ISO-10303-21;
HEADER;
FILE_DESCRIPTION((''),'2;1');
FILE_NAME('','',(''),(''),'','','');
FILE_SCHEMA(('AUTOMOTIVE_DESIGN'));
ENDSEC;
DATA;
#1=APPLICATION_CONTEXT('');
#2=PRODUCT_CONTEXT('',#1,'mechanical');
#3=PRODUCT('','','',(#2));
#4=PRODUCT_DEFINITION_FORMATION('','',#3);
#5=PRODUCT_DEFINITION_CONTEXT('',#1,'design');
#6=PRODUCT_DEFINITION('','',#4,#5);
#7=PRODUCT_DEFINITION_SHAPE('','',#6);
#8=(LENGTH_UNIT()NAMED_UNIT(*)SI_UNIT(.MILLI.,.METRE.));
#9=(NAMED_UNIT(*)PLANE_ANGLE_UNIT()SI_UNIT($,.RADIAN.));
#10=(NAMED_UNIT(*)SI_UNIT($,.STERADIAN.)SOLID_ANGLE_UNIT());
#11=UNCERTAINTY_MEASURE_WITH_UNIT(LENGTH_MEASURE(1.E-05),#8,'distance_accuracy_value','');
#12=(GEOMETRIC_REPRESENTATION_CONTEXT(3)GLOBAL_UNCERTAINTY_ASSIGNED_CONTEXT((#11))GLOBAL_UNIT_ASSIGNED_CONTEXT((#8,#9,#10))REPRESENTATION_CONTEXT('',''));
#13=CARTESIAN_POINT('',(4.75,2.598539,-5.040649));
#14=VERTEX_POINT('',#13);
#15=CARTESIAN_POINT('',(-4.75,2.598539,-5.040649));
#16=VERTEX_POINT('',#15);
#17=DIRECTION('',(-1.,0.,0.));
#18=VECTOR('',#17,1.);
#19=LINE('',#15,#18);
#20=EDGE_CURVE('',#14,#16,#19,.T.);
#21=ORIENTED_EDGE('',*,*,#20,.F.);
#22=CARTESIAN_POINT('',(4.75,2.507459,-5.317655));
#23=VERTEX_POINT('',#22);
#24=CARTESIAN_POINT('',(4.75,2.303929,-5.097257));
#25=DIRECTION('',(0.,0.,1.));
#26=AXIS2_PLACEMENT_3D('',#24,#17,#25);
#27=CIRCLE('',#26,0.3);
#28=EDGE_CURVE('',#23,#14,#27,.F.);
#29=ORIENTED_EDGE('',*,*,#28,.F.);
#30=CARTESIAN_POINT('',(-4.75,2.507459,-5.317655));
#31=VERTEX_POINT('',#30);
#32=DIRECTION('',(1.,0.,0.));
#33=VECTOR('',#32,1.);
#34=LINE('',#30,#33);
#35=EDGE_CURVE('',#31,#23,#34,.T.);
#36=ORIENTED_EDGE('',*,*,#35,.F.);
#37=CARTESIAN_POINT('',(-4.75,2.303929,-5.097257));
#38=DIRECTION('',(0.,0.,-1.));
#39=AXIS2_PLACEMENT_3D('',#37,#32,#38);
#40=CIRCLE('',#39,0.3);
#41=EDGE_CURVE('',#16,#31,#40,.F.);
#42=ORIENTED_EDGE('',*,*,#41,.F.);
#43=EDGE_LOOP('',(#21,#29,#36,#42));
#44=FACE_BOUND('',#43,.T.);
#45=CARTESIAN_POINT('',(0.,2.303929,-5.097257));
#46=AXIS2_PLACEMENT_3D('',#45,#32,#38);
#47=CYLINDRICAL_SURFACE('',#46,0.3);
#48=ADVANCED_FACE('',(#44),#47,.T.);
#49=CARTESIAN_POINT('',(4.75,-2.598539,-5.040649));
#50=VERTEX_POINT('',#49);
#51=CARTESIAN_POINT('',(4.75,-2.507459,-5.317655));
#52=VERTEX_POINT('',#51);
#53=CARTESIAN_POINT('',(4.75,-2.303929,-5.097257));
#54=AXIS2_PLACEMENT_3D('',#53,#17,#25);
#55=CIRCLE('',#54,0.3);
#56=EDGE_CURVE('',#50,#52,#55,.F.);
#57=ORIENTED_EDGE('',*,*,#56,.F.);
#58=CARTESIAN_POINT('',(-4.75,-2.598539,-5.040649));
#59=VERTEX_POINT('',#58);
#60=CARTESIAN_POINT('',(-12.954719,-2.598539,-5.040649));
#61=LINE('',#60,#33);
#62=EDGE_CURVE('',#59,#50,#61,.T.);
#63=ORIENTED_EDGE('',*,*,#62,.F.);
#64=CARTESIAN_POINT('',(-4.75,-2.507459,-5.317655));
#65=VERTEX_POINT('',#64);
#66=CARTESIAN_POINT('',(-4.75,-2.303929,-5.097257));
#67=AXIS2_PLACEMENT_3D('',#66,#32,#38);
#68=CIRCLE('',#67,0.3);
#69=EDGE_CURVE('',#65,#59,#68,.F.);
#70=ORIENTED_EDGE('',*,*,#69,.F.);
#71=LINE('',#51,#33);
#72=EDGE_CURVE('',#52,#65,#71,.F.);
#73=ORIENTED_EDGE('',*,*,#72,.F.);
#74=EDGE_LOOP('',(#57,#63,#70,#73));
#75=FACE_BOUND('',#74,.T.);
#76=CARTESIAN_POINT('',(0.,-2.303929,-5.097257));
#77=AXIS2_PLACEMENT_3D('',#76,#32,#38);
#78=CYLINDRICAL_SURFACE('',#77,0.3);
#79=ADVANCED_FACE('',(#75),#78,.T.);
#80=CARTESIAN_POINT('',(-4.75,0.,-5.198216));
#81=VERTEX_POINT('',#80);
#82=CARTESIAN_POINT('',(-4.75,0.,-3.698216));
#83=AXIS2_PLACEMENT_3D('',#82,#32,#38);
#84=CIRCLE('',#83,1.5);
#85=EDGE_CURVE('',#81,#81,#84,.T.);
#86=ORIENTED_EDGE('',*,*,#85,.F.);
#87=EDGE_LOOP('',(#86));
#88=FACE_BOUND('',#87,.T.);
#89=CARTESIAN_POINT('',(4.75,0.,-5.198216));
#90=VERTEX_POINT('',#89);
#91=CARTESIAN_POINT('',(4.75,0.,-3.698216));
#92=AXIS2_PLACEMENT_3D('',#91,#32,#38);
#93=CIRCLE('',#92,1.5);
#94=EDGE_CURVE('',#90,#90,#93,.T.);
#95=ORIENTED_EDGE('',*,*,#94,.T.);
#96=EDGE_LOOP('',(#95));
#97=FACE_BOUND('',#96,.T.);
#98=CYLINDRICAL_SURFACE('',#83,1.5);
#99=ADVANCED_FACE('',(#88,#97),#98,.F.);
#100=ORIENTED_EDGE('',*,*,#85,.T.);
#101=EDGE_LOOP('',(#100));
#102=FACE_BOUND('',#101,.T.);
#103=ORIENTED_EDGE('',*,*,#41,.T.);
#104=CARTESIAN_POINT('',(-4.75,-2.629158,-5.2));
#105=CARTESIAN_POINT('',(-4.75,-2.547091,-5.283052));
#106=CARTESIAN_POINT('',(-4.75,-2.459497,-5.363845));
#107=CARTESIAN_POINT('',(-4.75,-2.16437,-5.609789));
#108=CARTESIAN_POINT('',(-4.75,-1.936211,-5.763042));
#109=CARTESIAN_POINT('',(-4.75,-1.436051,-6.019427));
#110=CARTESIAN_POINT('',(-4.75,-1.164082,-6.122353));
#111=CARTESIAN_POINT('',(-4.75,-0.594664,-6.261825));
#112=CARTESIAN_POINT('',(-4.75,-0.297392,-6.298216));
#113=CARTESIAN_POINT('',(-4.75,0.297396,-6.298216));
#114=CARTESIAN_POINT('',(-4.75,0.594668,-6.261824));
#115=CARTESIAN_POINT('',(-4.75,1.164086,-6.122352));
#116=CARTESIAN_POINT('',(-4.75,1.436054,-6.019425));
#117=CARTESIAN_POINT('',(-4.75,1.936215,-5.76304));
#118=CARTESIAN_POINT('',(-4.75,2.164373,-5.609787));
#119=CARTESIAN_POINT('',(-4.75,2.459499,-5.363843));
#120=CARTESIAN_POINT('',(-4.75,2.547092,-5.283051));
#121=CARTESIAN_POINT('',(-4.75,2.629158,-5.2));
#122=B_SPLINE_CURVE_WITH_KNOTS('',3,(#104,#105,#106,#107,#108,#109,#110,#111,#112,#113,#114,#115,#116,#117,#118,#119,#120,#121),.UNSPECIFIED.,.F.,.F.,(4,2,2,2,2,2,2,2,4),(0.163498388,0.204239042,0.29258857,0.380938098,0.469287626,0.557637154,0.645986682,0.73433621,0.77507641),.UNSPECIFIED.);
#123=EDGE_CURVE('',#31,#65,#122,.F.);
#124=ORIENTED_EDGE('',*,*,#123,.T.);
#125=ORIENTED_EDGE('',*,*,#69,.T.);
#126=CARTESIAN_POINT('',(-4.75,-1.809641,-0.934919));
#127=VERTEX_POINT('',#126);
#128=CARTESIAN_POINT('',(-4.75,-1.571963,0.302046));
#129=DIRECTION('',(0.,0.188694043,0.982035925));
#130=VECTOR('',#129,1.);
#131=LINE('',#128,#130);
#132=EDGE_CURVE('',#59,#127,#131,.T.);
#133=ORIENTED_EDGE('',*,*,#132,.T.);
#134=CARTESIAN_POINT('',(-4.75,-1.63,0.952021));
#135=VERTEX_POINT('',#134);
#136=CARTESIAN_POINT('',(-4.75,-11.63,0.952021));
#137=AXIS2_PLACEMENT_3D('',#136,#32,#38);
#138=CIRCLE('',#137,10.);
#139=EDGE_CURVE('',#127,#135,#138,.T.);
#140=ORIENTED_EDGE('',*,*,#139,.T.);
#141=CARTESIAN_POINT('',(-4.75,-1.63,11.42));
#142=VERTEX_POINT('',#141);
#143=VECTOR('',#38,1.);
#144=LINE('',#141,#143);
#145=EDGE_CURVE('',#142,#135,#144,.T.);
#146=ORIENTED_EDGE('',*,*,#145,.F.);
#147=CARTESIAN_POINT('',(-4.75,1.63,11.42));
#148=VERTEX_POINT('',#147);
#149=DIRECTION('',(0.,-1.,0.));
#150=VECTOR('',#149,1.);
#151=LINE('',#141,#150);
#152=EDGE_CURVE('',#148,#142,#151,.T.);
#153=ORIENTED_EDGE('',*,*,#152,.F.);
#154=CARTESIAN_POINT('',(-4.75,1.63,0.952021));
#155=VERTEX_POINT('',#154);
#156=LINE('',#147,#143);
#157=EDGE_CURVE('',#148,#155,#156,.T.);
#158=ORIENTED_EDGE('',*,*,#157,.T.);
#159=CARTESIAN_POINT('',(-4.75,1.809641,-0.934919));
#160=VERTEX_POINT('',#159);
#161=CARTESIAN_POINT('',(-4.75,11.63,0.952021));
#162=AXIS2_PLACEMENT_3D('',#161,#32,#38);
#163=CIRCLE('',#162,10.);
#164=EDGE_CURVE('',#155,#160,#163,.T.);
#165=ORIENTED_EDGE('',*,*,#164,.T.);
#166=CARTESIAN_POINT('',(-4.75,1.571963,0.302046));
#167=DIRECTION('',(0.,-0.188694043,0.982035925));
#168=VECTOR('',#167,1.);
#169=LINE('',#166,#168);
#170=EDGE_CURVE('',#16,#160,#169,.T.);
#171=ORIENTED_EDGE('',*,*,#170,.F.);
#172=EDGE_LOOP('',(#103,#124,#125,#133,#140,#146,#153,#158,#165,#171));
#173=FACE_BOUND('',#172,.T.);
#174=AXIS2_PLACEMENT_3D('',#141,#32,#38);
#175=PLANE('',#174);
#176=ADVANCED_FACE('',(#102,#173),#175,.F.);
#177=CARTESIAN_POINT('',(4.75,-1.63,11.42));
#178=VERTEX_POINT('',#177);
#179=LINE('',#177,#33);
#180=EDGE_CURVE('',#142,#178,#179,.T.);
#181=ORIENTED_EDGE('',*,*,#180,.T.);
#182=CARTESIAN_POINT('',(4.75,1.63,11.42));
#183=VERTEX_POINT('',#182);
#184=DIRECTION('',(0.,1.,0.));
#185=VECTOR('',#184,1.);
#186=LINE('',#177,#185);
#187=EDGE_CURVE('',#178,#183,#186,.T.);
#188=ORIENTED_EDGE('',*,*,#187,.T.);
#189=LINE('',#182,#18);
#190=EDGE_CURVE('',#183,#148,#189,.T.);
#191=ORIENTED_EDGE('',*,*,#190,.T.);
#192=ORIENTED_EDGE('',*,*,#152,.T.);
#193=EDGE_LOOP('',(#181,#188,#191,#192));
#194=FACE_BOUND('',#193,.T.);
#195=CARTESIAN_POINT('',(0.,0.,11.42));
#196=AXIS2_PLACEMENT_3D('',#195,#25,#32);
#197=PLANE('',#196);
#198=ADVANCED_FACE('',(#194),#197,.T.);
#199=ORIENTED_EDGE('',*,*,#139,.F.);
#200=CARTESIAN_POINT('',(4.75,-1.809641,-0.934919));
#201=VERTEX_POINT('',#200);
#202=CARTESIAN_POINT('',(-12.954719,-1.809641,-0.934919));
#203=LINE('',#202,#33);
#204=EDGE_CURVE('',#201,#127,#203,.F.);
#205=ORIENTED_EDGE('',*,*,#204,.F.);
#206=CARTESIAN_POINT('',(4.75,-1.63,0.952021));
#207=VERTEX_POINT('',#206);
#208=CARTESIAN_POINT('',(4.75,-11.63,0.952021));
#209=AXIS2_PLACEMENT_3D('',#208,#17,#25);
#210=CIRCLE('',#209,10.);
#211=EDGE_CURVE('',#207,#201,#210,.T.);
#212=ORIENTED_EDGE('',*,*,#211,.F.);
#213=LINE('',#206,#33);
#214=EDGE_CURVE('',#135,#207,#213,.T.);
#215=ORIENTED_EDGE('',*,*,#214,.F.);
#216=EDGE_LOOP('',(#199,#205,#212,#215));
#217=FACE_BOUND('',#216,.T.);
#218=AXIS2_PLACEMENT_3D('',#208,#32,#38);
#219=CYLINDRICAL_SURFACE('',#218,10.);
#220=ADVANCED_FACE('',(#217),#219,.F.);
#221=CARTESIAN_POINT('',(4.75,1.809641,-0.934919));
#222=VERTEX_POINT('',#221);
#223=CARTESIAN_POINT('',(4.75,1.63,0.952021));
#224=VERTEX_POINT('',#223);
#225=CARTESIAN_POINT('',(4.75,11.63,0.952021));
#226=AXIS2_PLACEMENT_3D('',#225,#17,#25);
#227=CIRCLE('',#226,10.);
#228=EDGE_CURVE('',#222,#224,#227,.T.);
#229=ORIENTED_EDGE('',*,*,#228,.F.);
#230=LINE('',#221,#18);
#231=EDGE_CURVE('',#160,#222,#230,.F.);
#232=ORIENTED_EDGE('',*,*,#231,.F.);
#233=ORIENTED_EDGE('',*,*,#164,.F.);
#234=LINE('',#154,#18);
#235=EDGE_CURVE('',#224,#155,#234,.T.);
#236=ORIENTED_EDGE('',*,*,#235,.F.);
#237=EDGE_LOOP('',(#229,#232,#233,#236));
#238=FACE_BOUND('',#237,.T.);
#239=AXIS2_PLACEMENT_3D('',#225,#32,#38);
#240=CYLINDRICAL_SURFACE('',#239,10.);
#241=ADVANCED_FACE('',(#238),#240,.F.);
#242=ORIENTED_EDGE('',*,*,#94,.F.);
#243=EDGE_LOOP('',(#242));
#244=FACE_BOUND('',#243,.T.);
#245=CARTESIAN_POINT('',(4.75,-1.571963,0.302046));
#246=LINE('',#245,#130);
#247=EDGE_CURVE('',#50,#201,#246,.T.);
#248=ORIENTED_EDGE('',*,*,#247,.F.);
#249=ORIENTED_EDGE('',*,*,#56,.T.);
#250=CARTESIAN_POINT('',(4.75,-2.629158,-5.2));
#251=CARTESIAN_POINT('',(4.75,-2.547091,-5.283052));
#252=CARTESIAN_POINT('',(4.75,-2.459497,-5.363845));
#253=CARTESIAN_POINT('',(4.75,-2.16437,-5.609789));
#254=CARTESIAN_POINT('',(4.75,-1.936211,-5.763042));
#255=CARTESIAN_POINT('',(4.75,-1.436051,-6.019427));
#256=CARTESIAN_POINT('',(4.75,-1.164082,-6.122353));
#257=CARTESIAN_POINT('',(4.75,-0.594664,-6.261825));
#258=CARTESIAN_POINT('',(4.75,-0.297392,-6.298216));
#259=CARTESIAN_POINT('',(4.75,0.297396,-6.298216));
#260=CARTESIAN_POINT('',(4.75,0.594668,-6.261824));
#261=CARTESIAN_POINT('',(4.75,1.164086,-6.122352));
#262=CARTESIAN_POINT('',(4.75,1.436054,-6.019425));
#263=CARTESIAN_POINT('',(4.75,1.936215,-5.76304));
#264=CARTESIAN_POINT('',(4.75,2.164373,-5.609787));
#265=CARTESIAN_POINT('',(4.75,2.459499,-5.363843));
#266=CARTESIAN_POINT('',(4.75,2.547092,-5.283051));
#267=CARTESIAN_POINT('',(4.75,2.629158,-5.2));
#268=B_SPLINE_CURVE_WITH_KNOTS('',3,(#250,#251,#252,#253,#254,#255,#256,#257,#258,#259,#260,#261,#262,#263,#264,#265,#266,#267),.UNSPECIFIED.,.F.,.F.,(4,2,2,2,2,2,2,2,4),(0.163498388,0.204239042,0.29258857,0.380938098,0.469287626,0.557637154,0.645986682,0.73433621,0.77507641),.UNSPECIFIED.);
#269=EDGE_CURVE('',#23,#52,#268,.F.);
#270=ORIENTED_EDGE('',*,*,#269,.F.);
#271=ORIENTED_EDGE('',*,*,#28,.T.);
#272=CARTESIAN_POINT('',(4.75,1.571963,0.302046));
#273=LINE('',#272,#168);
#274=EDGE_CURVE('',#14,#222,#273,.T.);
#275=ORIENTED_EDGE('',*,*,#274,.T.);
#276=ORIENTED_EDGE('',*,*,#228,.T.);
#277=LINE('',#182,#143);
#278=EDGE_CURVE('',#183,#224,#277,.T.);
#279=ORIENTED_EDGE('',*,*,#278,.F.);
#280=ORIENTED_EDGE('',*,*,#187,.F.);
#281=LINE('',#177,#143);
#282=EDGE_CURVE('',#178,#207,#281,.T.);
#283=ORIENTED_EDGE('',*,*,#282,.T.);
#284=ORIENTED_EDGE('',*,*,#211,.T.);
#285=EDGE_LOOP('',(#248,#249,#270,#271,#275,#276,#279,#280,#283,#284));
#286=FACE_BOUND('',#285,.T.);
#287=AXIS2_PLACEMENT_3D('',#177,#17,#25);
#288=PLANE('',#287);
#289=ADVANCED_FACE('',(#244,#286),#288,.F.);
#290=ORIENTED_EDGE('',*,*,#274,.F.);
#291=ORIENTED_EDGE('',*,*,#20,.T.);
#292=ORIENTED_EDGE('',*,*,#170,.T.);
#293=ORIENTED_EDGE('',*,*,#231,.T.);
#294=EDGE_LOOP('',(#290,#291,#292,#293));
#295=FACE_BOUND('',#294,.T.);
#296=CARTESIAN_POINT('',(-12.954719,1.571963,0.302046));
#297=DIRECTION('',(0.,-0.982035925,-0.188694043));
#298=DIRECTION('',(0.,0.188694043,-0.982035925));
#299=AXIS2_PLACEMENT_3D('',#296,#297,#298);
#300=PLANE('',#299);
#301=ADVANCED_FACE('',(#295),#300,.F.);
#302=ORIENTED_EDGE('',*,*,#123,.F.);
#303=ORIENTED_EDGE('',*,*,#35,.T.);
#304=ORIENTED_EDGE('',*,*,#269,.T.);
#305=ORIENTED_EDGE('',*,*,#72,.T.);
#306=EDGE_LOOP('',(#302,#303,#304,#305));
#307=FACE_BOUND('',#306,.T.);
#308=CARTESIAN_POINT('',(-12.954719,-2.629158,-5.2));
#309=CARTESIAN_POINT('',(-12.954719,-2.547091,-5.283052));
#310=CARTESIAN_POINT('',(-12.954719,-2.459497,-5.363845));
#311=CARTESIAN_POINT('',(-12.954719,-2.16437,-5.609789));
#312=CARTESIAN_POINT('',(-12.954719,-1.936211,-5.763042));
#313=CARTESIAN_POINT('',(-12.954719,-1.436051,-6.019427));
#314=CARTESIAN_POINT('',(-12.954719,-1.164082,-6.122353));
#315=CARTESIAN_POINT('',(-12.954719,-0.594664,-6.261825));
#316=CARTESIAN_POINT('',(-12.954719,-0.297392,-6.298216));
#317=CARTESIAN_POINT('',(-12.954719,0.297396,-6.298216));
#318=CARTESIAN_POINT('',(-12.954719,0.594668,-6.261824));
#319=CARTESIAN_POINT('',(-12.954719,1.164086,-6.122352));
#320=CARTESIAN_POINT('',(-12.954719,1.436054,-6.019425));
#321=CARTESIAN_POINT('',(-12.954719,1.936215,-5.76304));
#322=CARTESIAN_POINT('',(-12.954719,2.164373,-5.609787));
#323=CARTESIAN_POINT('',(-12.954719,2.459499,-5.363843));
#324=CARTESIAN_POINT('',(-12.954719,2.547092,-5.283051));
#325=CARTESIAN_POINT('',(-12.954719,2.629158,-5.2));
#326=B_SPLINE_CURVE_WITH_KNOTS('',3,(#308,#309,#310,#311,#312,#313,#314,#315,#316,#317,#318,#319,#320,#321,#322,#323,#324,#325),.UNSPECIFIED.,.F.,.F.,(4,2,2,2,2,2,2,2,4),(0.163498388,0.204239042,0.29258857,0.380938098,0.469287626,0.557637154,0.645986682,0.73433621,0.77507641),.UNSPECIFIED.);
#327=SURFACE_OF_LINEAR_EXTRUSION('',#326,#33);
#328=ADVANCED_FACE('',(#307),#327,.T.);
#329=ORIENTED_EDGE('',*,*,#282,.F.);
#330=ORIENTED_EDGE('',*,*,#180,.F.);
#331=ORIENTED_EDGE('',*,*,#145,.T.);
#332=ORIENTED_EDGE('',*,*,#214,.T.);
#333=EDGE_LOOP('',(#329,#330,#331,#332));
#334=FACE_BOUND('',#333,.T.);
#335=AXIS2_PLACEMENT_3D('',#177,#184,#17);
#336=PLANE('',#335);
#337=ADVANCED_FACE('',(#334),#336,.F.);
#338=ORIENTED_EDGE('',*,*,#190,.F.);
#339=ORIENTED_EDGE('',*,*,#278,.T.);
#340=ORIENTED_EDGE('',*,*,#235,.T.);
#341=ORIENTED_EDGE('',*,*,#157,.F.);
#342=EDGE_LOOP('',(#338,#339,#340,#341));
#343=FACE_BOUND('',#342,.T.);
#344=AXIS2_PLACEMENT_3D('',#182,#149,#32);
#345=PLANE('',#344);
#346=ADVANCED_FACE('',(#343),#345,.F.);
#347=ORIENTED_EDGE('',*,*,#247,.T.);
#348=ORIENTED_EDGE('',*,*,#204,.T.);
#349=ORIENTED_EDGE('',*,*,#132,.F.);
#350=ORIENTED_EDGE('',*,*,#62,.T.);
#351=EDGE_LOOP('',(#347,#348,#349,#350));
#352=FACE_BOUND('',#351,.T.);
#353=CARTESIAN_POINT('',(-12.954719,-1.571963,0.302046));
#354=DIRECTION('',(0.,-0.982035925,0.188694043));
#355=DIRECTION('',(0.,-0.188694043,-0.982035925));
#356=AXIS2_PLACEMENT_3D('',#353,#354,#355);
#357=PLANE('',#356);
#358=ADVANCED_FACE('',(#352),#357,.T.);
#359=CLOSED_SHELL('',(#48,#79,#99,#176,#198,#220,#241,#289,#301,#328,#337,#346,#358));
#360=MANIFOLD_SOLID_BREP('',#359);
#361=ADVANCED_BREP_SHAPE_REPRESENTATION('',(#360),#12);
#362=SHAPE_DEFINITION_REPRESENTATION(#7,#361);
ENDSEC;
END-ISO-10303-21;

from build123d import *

# Parameters (mm, degrees)
SKETCH1_W                       = 9.5
SKETCH1_H                       = 3.26
BOSS_EXTRUDE1_DEPTH             = 11.42
BOSS_EXTRUDE3_REACH             = 14.475
BOSS_EXTRUDE3_DIRECTION_2_REACH = 14.475
FILLET1_R                       = 0.3
SKETCH4_R                       = 1.5
CUT_EXTRUDE1_DEPTH              = 16.081341077
FILLET2_R                       = 10


with BuildPart() as part:
    # Sketch1 → Boss-Extrude1 (new body)
    with BuildSketch(Plane.XY):
        Rectangle(SKETCH1_W, SKETCH1_H)
    extrude(amount=BOSS_EXTRUDE1_DEPTH)

    # Boss-Extrude3: up to this face of the body (flat: up to its plane)
    boss_extrude3_end = Plane(part.part.faces().sort_by_distance((-4.75, 0, 5.71))[0])
    # Sketch3 → Boss-Extrude3 (add, up to the picked face)
    with BuildSketch(Plane(origin=(0, 0, 0), x_dir=(0, 0, -1), z_dir=(1, 0, 0)), mode=Mode.PRIVATE) as boss_extrude3_sk1:
        with BuildLine():
            Line((0, -1.63), (5.2, -2.629157971))
            add(Edge.make_bspline(
                [(5.2, -2.629157971), (5.283052086, -2.547091023), (5.363844635, -2.459497383), (5.60978901, -2.164369944), (5.763042084, -1.936211317), (6.019426683, -1.436050674), (6.122353138, -1.164082205), (6.261824898, -0.594664263), (6.298216306, -0.297392436), (6.298215992, 0.297396341), (6.26182427, 0.594668129), (6.122351908, 1.164085924), (6.019425166, 1.436054284), (5.763040038, 1.936214656), (5.609786724, 2.164373121), (5.363842902, 2.459499262), (5.283051196, 2.547091902), (5.2, 2.629157971)],
                knots=[0.163498388, 0.163498388, 0.163498388, 0.163498388, 0.204239042, 0.204239042, 0.29258857, 0.29258857, 0.380938098, 0.380938098, 0.469287626, 0.469287626, 0.557637154, 0.557637154, 0.645986682, 0.645986682, 0.73433621, 0.73433621, 0.77507641, 0.77507641, 0.77507641, 0.77507641], degree=3))
            Line((5.2, 2.629157971), (0, 1.63))
            Line((0, 1.63), (0, -1.63))
        make_face()
    boss_extrude3_tool1 = split(extrude(boss_extrude3_sk1.sketch, amount=-BOSS_EXTRUDE3_REACH, mode=Mode.PRIVATE), bisect_by=boss_extrude3_end, keep=Keep.BOTH, mode=Mode.PRIVATE)
    add(boss_extrude3_tool1.solids().sort_by(Axis((0, 0, -3.236322), (-1, 0, 0)))[0])

    # Boss-Extrude3 direction 2: up to this face of the body (flat: up to its plane)
    boss_extrude3_direction_2_end = Plane(part.part.faces().sort_by_distance((4.75, 0, 5.71))[0])
    # Sketch3 → Boss-Extrude3 direction 2 (add, up to the picked face)
    with BuildSketch(Plane(origin=(0, 0, 0), x_dir=(0, 0, -1), z_dir=(1, 0, 0)), mode=Mode.PRIVATE) as boss_extrude3_direction_2_sk1:
        with BuildLine():
            Line((0, -1.63), (5.2, -2.629157971))
            add(Edge.make_bspline(
                [(5.2, -2.629157971), (5.283052086, -2.547091023), (5.363844635, -2.459497383), (5.60978901, -2.164369944), (5.763042084, -1.936211317), (6.019426683, -1.436050674), (6.122353138, -1.164082205), (6.261824898, -0.594664263), (6.298216306, -0.297392436), (6.298215992, 0.297396341), (6.26182427, 0.594668129), (6.122351908, 1.164085924), (6.019425166, 1.436054284), (5.763040038, 1.936214656), (5.609786724, 2.164373121), (5.363842902, 2.459499262), (5.283051196, 2.547091902), (5.2, 2.629157971)],
                knots=[0.163498388, 0.163498388, 0.163498388, 0.163498388, 0.204239042, 0.204239042, 0.29258857, 0.29258857, 0.380938098, 0.380938098, 0.469287626, 0.469287626, 0.557637154, 0.557637154, 0.645986682, 0.645986682, 0.73433621, 0.73433621, 0.77507641, 0.77507641, 0.77507641, 0.77507641], degree=3))
            Line((5.2, 2.629157971), (0, 1.63))
            Line((0, 1.63), (0, -1.63))
        make_face()
    boss_extrude3_direction_2_tool1 = split(extrude(boss_extrude3_direction_2_sk1.sketch, amount=BOSS_EXTRUDE3_DIRECTION_2_REACH, mode=Mode.PRIVATE), bisect_by=boss_extrude3_direction_2_end, keep=Keep.BOTH, mode=Mode.PRIVATE)
    add(boss_extrude3_direction_2_tool1.solids().sort_by(Axis((0, 0, -3.236322), (1, 0, 0)))[0])

    # Fillet1
    fillet1_edges = [part.edges().sort_by_distance(p)[0] for p in [
        (2.375, 2.629157971, -5.2),
        (2.375, -2.629157971, -5.2),
    ]]
    fillet(fillet1_edges, radius=FILLET1_R)

    # Sketch4 → Cut-Extrude1 (cut, through all)
    with BuildSketch(Plane(origin=(4.75, 0, 0), x_dir=(0, 0, -1), z_dir=(1, 0, 0))):
        with Locations((3.698216149, 0)):
            Circle(SKETCH4_R)
    extrude(amount=-CUT_EXTRUDE1_DEPTH, mode=Mode.SUBTRACT)

    # Fillet2
    fillet2_edges = [part.edges().sort_by_distance(p)[0] for p in [
        (0, 1.63, 0),
        (0, -1.63, 0),
    ]]
    fillet(fillet2_edges, radius=FILLET2_R)


solid = part.part
